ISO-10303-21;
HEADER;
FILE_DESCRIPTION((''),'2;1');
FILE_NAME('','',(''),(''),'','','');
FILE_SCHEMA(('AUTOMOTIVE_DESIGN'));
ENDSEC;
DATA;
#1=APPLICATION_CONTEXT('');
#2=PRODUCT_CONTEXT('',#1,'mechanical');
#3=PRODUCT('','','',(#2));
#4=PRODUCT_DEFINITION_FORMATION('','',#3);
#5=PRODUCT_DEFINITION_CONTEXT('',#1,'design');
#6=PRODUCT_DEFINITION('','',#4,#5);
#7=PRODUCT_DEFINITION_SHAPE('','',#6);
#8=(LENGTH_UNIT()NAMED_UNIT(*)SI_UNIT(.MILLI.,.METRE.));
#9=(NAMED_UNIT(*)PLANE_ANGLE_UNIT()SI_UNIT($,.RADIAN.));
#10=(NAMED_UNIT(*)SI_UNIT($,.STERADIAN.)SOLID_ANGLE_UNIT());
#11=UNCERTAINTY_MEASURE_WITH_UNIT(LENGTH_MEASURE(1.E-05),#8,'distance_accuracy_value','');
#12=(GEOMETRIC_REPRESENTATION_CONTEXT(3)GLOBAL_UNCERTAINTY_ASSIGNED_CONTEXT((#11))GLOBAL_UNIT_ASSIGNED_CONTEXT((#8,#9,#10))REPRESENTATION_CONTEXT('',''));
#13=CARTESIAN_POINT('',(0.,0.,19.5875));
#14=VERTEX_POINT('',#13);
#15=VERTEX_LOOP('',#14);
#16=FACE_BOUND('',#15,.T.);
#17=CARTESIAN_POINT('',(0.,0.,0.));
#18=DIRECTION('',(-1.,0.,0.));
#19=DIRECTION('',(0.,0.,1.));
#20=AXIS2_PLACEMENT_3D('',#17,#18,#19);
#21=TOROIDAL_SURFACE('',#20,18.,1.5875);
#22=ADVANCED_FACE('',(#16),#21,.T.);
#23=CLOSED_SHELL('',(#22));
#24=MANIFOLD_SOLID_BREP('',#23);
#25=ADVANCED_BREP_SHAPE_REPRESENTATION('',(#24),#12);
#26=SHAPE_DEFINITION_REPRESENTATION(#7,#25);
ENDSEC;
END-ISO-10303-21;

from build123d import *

# Parameters (mm, degrees)
SKETCH2_R = 1.5875


with BuildPart() as part:
    # Sketch2 → Revolve1 (revolve)
    with BuildSketch(Plane.XY, mode=Mode.PRIVATE) as revolve1_sk:
        with Locations((0, 18)):
            Circle(SKETCH2_R)
    revolve(revolve1_sk.sketch.rotate(Axis((0, 0, 0), (1, 0, 0)), 90), axis=Axis((0, 0, 0), (1, 0, 0)))


solid = part.part
